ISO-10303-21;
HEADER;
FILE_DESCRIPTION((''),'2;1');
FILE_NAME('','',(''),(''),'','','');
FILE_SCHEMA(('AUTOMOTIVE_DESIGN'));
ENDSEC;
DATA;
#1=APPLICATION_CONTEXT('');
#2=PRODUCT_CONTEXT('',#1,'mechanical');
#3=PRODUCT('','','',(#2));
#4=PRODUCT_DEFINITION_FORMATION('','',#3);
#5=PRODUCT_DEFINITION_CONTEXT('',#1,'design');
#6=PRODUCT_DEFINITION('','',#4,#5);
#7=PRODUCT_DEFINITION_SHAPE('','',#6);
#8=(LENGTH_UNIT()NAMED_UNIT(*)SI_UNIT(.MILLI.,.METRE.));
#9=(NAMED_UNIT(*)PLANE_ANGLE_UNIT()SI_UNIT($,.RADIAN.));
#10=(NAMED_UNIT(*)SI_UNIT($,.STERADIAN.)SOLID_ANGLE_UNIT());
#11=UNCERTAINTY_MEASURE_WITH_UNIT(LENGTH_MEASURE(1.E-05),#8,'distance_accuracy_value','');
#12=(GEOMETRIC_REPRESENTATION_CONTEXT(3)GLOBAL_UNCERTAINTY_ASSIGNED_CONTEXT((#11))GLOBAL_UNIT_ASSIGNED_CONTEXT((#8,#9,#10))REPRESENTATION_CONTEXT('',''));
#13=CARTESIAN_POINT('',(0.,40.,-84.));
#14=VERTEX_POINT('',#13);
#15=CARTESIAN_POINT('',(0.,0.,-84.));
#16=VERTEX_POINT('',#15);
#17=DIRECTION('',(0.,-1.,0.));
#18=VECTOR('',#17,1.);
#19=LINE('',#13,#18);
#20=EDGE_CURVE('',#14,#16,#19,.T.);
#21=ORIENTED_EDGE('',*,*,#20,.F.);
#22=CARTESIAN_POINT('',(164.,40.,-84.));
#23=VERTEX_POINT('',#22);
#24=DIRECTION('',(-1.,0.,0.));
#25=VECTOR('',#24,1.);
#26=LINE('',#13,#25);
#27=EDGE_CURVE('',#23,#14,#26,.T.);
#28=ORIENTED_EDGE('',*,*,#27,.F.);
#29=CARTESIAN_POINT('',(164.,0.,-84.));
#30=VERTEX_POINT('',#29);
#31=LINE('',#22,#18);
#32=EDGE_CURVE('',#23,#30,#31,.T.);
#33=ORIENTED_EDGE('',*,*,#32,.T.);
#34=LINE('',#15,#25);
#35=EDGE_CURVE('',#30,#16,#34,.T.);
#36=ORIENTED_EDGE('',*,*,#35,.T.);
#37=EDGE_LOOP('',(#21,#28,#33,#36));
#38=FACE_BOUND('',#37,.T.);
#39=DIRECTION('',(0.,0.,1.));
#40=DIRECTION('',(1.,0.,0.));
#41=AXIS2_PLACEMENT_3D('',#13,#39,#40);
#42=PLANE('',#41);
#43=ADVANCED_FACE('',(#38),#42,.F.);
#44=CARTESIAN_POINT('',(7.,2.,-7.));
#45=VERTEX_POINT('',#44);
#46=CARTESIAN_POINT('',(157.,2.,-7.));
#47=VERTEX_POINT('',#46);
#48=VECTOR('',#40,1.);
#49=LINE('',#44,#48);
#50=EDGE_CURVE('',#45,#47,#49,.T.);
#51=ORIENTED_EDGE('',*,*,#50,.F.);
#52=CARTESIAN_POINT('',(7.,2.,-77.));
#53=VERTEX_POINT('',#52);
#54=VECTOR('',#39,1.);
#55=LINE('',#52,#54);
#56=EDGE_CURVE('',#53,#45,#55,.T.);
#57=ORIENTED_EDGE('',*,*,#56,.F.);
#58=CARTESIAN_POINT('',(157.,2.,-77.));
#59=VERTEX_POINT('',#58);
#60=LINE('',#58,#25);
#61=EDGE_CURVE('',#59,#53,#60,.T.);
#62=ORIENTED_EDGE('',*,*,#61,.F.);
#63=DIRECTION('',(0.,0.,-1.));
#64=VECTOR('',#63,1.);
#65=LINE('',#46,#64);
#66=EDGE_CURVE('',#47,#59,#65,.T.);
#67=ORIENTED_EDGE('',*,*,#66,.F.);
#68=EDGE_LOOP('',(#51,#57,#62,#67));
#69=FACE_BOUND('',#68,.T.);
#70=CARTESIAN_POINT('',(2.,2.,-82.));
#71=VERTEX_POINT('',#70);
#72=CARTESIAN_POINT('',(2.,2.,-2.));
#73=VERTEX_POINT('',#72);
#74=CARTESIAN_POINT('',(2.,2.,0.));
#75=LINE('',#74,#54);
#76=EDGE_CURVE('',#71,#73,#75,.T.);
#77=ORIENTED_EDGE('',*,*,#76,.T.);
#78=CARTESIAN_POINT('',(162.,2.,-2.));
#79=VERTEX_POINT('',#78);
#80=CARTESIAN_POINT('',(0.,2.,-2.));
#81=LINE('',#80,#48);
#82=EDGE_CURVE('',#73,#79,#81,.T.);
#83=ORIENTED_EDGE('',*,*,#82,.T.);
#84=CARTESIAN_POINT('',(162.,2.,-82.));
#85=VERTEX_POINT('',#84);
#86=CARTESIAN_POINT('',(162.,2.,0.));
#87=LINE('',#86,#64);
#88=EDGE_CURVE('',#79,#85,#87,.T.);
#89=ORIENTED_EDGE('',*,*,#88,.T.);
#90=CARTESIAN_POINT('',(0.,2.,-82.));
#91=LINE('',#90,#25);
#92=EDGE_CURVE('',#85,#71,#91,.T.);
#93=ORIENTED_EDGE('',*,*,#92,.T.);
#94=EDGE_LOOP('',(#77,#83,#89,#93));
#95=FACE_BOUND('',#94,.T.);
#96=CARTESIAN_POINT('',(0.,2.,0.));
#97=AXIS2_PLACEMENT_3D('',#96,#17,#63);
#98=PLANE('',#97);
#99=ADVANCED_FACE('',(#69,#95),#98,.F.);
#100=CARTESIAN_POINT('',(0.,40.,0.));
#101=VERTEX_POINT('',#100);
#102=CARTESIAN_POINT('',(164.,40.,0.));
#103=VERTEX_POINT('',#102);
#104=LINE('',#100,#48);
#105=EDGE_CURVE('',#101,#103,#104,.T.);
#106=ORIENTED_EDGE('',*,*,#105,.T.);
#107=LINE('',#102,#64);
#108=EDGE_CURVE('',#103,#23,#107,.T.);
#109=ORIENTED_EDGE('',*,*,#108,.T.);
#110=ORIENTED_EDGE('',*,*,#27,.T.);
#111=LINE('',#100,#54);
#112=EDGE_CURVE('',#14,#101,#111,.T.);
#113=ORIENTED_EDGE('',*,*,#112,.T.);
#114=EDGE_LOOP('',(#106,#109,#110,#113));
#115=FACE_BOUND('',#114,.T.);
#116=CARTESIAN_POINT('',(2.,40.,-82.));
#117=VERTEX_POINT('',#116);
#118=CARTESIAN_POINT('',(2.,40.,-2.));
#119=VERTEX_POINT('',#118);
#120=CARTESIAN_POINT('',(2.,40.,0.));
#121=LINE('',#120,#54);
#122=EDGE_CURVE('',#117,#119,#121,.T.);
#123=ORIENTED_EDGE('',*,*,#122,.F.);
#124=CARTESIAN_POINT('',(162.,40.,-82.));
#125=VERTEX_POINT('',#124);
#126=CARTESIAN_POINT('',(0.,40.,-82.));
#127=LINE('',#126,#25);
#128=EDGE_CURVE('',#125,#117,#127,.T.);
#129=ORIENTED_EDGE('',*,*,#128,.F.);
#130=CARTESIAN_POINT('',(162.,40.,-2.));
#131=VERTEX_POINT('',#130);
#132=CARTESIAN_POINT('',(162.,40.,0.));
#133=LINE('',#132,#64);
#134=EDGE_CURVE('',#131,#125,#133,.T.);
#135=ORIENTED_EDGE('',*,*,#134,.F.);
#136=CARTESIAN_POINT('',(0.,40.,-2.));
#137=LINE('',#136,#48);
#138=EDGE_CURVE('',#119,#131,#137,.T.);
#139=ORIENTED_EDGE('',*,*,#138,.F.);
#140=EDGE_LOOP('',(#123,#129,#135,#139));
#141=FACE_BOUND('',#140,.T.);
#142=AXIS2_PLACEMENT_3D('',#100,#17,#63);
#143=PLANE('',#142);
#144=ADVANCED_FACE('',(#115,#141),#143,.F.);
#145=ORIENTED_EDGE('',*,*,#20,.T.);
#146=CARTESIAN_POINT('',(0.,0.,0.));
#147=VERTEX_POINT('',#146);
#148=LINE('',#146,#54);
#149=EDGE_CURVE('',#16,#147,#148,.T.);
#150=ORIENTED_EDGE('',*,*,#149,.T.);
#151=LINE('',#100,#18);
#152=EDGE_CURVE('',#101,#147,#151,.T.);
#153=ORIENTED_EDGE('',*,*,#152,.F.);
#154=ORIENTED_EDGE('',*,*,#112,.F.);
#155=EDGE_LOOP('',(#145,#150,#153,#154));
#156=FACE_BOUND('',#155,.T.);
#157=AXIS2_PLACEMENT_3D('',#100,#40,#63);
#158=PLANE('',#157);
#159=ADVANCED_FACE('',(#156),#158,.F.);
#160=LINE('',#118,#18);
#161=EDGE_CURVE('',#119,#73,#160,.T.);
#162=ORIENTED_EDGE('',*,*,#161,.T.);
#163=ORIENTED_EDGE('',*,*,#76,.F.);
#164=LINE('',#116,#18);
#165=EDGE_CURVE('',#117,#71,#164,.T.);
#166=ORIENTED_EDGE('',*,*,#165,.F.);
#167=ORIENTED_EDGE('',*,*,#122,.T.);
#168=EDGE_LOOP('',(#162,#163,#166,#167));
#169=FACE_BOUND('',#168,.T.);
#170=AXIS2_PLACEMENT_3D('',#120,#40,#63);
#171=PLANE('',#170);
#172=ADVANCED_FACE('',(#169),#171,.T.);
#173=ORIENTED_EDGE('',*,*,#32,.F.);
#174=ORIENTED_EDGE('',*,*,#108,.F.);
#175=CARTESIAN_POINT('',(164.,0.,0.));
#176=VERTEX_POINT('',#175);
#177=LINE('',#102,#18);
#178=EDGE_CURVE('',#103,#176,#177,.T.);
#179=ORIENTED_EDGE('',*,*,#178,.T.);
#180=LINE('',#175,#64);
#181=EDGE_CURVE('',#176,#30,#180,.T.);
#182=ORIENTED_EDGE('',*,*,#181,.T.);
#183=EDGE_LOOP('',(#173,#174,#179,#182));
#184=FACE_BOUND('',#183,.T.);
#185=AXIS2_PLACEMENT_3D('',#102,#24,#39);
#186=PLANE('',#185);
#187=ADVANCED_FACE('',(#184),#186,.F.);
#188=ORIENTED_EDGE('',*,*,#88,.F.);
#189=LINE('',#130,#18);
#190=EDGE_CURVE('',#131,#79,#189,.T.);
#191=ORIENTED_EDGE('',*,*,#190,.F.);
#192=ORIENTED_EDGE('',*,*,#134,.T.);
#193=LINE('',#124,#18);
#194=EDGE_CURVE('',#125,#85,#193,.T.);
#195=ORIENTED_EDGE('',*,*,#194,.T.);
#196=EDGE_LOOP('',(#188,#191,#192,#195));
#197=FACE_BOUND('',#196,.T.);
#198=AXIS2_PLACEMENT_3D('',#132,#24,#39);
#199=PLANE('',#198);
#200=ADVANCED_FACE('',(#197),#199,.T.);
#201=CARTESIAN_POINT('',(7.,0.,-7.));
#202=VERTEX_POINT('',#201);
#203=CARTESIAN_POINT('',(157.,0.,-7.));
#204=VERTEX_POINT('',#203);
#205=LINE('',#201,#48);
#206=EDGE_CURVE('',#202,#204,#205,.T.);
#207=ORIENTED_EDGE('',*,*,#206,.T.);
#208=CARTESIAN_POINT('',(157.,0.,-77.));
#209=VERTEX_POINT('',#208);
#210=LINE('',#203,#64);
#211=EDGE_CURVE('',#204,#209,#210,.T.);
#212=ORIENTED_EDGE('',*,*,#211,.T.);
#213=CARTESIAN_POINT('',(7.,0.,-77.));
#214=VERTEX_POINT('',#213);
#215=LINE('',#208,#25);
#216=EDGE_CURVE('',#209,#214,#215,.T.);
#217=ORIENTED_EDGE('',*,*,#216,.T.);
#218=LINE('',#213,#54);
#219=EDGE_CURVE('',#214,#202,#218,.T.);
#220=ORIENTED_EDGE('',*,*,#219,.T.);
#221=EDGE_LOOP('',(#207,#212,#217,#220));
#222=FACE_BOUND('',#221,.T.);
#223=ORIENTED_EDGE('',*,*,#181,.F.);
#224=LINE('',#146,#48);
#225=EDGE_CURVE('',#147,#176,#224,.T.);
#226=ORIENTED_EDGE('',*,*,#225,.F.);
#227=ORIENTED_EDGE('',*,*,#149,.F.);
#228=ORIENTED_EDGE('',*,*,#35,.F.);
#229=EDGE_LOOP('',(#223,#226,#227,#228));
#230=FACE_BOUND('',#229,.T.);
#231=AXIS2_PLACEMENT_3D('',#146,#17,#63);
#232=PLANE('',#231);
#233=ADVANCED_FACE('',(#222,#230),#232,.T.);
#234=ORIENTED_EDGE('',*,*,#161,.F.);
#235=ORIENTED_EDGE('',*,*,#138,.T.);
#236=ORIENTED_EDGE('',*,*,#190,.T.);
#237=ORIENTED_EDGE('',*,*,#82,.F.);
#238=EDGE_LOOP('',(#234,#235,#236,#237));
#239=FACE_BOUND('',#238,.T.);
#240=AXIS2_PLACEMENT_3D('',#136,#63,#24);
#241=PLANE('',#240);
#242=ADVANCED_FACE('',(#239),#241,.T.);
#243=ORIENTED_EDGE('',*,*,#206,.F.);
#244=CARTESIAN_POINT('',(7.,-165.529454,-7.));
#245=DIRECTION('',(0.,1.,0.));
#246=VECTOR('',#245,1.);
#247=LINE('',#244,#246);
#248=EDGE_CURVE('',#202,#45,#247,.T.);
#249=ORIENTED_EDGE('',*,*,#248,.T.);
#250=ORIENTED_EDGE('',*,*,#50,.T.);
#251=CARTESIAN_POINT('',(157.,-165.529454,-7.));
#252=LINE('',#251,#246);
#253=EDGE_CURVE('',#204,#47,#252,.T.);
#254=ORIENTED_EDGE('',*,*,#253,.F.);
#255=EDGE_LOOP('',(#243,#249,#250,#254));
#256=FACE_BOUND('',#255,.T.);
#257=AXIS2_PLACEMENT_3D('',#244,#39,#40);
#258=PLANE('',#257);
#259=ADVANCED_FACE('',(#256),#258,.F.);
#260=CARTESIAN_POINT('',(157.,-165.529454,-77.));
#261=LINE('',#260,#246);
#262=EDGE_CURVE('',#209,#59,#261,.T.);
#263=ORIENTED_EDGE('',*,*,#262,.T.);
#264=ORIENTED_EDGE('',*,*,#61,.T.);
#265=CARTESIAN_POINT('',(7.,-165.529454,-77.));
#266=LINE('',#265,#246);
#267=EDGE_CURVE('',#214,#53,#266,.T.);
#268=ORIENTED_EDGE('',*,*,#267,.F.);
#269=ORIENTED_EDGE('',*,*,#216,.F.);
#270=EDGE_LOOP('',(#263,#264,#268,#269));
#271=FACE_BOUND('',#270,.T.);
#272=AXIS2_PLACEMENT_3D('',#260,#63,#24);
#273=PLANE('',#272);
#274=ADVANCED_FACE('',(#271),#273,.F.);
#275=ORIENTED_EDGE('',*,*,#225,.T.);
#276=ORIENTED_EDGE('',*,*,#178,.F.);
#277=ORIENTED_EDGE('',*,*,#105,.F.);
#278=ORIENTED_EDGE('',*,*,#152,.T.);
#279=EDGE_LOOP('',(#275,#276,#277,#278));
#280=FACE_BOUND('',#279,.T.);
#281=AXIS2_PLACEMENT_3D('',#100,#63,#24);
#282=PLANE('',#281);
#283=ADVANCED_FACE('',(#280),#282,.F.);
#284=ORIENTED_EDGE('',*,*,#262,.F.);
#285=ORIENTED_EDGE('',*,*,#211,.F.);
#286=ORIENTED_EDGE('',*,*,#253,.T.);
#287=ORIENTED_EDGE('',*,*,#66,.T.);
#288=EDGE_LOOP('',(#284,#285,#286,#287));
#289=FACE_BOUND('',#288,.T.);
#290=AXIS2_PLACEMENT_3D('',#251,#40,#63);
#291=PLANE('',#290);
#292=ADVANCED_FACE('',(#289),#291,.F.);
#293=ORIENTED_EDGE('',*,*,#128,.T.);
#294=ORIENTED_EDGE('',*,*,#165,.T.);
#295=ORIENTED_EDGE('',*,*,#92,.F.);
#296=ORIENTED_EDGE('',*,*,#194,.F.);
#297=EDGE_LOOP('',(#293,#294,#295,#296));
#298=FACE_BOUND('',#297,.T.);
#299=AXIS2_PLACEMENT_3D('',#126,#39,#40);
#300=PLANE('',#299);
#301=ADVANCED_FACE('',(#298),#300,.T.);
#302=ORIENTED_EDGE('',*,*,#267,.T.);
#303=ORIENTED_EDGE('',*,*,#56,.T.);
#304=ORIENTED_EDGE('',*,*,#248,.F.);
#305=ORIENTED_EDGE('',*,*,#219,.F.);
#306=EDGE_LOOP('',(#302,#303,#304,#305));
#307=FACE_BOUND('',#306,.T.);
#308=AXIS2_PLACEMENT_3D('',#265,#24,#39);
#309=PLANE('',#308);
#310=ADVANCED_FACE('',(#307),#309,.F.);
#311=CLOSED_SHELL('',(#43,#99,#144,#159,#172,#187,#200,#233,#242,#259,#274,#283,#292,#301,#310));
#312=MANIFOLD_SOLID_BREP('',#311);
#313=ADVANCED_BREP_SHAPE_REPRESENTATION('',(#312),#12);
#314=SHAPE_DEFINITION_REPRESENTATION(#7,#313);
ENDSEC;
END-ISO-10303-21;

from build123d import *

# Parameters (mm, degrees)
SKETCH1_W           = 164
SKETCH1_H           = 84
BOSS_EXTRUDE1_DEPTH = 40
SHELL1_T            = -2
SKETCH2_W           = 150
SKETCH2_H           = 70
CUT_EXTRUDE1_DEPTH  = 2


with BuildPart() as part:
    # Sketch1 → Boss-Extrude1 (new body)
    with BuildSketch(Plane(origin=(0, 0, 0), x_dir=(1, 0, 0), z_dir=(0, 1, 0))):
        with Locations((82, 42)):
            Rectangle(SKETCH1_W, SKETCH1_H)
    extrude(amount=BOSS_EXTRUDE1_DEPTH)

    # Shell1
    shell1_openings = [part.faces().sort_by_distance(p)[0] for p in [
        (82, 40, -42),
    ]]
    offset(amount=SHELL1_T, openings=shell1_openings, kind=Kind.INTERSECTION)

    # Sketch2 → Cut-Extrude1 (cut)
    with BuildSketch(Plane(origin=(0, 2, 0), x_dir=(1, 0, 0), z_dir=(0, 1, 0))):
        with Locations((82, 42)):
            Rectangle(SKETCH2_W, SKETCH2_H)
    extrude(amount=-CUT_EXTRUDE1_DEPTH, mode=Mode.SUBTRACT)


solid = part.part
